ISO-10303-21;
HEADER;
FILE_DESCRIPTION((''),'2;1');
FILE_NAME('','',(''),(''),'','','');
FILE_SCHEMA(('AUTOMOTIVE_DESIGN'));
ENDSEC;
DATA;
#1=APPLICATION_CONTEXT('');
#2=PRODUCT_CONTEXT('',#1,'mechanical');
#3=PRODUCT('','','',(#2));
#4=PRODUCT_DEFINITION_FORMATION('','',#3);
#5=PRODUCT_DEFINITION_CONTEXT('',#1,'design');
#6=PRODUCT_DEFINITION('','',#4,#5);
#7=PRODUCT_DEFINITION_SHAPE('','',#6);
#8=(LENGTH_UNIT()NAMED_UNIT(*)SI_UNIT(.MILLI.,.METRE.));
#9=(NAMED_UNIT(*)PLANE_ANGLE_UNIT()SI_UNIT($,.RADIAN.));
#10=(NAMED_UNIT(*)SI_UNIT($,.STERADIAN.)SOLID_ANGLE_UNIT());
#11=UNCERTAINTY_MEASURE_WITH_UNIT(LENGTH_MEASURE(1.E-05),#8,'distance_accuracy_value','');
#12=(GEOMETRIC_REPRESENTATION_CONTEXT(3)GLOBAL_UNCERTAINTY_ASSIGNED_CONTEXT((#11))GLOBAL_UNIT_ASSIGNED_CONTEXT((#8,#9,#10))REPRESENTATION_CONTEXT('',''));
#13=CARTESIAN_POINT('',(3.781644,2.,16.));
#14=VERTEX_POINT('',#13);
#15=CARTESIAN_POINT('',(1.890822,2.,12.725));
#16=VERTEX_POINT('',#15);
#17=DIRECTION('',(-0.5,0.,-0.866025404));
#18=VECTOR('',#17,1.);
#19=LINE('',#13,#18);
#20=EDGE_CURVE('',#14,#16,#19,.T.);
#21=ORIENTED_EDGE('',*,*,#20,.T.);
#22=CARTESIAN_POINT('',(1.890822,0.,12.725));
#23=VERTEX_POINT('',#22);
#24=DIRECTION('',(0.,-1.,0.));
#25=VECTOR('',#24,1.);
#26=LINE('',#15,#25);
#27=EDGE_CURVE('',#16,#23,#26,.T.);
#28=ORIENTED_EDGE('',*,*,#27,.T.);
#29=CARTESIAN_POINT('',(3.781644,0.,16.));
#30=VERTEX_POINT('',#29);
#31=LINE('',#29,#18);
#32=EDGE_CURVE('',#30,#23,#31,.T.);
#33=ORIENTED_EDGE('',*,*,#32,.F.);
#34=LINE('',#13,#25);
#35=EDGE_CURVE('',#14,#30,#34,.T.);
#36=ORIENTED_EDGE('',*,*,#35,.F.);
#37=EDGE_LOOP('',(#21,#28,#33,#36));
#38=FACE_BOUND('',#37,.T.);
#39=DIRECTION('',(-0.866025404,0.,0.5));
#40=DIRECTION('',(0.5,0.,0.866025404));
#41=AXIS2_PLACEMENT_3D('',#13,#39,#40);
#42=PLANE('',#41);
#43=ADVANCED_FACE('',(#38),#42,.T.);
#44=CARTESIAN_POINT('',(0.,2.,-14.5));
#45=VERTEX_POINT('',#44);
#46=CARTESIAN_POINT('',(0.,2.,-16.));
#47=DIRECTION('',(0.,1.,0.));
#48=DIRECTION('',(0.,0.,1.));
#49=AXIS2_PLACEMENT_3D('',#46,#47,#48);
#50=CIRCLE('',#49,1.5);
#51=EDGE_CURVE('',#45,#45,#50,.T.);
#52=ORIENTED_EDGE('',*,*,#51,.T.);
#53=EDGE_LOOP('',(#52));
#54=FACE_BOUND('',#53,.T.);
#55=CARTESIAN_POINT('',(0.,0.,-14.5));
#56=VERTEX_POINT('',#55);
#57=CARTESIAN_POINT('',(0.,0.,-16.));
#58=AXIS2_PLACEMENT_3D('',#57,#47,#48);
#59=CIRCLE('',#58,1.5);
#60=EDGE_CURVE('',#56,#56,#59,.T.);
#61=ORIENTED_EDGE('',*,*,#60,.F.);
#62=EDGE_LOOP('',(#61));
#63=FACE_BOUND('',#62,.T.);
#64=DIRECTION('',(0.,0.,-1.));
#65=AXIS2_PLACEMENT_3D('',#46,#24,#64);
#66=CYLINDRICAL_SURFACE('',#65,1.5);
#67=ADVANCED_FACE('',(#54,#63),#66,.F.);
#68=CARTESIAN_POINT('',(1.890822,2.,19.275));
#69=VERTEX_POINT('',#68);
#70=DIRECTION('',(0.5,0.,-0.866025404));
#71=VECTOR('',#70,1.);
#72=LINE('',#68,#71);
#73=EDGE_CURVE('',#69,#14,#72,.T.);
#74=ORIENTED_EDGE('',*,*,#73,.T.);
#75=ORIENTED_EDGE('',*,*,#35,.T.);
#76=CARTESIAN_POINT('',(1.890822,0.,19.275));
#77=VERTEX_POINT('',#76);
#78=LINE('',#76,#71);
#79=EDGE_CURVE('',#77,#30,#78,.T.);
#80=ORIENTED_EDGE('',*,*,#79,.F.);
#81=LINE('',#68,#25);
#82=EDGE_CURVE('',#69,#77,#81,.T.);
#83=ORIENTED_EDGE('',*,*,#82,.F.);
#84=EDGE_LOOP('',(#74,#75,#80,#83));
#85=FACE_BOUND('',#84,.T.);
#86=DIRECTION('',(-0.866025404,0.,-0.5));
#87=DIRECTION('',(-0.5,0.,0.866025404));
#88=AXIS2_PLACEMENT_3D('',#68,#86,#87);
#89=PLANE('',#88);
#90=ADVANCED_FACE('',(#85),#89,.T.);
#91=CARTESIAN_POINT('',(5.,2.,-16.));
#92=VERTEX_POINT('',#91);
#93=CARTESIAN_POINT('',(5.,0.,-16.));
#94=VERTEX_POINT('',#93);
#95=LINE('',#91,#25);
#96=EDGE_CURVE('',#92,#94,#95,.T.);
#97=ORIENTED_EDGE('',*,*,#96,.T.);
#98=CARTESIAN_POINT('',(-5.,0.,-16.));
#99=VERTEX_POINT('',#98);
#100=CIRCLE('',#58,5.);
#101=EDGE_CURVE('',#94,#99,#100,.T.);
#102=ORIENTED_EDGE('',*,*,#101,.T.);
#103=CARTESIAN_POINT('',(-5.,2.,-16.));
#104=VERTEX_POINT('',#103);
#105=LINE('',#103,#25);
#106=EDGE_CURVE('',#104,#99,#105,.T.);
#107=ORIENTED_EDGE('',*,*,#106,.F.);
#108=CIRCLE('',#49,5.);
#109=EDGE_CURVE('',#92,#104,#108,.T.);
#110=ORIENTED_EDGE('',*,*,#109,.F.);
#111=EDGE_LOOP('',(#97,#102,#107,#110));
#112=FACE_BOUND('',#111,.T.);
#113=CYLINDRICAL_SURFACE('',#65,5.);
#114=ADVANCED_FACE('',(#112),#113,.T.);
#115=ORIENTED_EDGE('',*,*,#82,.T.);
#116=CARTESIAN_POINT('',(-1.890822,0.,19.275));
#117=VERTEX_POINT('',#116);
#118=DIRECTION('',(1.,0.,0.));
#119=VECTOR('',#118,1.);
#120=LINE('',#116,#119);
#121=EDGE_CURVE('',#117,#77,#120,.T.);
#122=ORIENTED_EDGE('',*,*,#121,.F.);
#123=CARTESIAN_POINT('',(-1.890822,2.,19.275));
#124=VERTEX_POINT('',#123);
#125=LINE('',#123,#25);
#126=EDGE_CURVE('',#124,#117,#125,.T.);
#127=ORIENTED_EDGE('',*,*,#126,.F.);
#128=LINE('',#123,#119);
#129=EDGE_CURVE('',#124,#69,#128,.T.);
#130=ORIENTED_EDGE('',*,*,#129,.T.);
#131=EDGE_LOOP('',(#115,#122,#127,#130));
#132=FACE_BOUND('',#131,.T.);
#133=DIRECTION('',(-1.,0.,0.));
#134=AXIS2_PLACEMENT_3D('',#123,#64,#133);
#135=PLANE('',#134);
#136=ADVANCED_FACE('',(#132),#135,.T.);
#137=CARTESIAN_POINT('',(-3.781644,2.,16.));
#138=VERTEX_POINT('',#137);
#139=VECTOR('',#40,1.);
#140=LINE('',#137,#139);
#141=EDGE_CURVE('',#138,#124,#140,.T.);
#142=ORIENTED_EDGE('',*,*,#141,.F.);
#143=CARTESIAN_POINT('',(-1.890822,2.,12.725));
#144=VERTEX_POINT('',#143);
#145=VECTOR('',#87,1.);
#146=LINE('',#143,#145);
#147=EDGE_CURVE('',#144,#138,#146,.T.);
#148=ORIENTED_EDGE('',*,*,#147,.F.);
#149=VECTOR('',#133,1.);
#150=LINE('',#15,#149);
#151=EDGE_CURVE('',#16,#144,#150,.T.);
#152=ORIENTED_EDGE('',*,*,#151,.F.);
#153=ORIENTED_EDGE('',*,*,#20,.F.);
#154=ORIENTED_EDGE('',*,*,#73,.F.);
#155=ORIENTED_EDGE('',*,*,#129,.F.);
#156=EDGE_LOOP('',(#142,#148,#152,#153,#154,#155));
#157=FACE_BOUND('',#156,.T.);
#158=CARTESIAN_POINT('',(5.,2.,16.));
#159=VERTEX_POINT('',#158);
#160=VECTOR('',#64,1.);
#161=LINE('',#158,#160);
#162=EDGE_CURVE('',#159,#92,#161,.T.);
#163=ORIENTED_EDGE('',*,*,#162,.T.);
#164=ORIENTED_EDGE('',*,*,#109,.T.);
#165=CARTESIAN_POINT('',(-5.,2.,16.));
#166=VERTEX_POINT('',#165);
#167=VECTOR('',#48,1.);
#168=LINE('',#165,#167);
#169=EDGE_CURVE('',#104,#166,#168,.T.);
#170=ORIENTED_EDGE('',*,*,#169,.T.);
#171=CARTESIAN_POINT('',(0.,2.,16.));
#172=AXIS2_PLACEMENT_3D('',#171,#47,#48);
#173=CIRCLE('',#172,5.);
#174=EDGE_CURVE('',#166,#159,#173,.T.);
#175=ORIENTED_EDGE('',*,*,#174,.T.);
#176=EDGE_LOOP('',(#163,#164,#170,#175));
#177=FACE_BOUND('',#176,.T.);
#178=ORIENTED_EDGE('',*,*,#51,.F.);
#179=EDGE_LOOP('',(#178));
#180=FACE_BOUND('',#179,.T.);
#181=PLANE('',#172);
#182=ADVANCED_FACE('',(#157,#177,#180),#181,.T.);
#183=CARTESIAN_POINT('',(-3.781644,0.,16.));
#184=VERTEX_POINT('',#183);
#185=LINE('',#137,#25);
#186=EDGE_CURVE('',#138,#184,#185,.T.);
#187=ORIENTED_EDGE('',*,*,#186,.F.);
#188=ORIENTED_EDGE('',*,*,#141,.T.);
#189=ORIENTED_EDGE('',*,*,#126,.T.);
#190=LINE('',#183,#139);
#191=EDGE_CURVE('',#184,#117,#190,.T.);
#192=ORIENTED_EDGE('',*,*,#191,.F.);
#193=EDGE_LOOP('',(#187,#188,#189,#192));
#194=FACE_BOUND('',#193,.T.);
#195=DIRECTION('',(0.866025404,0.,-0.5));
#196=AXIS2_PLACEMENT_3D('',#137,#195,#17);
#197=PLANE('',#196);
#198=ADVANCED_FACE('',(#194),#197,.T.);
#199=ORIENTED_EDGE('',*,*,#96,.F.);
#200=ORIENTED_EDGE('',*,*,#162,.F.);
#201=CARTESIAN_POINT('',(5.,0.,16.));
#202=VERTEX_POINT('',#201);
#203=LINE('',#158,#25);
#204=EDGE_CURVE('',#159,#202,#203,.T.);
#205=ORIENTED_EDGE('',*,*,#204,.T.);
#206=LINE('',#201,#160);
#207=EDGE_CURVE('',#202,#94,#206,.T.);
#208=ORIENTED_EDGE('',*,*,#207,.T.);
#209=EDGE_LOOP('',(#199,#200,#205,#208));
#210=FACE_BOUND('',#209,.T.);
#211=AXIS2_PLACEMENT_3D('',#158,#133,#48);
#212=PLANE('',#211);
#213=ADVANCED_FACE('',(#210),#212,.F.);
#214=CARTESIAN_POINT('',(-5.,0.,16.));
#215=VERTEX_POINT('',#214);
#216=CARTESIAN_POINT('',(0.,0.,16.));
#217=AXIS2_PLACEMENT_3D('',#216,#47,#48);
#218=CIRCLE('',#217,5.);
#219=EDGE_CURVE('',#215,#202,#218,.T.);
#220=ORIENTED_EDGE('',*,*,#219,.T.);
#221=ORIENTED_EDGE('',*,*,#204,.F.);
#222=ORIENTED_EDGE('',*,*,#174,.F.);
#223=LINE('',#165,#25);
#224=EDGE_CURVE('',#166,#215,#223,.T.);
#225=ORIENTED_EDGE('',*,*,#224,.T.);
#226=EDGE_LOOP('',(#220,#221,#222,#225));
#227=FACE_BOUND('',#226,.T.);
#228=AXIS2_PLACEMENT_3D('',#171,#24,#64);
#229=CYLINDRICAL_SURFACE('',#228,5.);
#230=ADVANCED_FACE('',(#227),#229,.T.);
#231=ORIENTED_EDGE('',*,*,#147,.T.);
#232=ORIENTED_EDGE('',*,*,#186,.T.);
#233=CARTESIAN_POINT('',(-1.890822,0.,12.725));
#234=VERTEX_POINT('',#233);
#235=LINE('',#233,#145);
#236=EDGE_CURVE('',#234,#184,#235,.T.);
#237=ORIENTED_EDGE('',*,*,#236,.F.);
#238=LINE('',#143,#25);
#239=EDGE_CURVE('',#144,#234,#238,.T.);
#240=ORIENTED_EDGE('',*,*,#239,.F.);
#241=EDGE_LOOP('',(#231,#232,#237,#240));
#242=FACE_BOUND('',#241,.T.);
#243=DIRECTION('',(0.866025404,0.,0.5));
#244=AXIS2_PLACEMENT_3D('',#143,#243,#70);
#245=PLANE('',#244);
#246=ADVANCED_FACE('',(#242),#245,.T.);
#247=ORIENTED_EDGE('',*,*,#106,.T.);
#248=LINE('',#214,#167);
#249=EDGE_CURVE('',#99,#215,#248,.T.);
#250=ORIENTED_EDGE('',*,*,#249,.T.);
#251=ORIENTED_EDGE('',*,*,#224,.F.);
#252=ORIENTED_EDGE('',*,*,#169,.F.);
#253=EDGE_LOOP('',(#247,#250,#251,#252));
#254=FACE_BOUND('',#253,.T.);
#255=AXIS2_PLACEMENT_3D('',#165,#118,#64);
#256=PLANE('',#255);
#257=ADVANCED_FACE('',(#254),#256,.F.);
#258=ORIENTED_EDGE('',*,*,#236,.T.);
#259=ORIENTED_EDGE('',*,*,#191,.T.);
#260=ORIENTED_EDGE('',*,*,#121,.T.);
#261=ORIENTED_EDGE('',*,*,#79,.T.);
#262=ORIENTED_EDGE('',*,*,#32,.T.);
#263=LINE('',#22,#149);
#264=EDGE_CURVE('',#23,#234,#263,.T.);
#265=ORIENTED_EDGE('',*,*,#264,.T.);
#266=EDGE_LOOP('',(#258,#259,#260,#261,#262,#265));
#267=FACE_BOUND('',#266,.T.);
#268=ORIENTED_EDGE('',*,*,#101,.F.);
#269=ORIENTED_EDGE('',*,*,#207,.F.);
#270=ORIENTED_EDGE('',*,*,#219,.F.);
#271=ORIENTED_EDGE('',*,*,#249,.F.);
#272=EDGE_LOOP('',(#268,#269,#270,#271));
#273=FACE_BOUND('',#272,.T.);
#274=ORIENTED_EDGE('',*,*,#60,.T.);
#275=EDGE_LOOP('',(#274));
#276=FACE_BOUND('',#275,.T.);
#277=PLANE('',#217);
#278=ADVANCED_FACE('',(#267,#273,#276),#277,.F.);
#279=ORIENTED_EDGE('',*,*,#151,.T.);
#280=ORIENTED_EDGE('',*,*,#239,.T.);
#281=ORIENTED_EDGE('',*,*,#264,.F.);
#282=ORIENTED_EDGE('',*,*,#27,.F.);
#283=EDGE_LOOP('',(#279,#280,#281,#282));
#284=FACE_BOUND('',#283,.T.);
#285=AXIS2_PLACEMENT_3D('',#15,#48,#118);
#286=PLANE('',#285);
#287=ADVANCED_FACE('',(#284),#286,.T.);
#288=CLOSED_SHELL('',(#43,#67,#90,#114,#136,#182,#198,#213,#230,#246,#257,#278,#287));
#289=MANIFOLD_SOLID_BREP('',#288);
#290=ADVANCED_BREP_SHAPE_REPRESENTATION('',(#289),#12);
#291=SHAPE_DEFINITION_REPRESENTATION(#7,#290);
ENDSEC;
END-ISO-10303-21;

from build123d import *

# Parameters (mm, degrees)
SKETCH_1_R      = 1.5
EXTRUDE_1_DEPTH = 2


with BuildPart() as part:
    # 草图1 → 凸台-拉伸1 (new body)
    with BuildSketch(Plane(origin=(0, 0, 0), x_dir=(1, 0, 0), z_dir=(0, 1, 0))):
        with BuildLine():
            Line((-5, -16), (-5, 16))
            ThreePointArc((-5, 16), (0, 21), (5, 16))
            Line((5, 16), (5, -16))
            ThreePointArc((5, -16), (0, -21), (-5, -16))
        make_face()
        with Locations(Location((0, 16, 0), (0, 0, 270))):
            Circle(SKETCH_1_R, mode=Mode.SUBTRACT)
        Polygon((1.890822132, -12.725), (-1.890822132, -12.725), (-3.781644263, -16), (-1.890822132, -19.275), (1.890822132, -19.275), (3.781644263, -16), align=None, mode=Mode.SUBTRACT)
    extrude(amount=EXTRUDE_1_DEPTH)


solid = part.part
